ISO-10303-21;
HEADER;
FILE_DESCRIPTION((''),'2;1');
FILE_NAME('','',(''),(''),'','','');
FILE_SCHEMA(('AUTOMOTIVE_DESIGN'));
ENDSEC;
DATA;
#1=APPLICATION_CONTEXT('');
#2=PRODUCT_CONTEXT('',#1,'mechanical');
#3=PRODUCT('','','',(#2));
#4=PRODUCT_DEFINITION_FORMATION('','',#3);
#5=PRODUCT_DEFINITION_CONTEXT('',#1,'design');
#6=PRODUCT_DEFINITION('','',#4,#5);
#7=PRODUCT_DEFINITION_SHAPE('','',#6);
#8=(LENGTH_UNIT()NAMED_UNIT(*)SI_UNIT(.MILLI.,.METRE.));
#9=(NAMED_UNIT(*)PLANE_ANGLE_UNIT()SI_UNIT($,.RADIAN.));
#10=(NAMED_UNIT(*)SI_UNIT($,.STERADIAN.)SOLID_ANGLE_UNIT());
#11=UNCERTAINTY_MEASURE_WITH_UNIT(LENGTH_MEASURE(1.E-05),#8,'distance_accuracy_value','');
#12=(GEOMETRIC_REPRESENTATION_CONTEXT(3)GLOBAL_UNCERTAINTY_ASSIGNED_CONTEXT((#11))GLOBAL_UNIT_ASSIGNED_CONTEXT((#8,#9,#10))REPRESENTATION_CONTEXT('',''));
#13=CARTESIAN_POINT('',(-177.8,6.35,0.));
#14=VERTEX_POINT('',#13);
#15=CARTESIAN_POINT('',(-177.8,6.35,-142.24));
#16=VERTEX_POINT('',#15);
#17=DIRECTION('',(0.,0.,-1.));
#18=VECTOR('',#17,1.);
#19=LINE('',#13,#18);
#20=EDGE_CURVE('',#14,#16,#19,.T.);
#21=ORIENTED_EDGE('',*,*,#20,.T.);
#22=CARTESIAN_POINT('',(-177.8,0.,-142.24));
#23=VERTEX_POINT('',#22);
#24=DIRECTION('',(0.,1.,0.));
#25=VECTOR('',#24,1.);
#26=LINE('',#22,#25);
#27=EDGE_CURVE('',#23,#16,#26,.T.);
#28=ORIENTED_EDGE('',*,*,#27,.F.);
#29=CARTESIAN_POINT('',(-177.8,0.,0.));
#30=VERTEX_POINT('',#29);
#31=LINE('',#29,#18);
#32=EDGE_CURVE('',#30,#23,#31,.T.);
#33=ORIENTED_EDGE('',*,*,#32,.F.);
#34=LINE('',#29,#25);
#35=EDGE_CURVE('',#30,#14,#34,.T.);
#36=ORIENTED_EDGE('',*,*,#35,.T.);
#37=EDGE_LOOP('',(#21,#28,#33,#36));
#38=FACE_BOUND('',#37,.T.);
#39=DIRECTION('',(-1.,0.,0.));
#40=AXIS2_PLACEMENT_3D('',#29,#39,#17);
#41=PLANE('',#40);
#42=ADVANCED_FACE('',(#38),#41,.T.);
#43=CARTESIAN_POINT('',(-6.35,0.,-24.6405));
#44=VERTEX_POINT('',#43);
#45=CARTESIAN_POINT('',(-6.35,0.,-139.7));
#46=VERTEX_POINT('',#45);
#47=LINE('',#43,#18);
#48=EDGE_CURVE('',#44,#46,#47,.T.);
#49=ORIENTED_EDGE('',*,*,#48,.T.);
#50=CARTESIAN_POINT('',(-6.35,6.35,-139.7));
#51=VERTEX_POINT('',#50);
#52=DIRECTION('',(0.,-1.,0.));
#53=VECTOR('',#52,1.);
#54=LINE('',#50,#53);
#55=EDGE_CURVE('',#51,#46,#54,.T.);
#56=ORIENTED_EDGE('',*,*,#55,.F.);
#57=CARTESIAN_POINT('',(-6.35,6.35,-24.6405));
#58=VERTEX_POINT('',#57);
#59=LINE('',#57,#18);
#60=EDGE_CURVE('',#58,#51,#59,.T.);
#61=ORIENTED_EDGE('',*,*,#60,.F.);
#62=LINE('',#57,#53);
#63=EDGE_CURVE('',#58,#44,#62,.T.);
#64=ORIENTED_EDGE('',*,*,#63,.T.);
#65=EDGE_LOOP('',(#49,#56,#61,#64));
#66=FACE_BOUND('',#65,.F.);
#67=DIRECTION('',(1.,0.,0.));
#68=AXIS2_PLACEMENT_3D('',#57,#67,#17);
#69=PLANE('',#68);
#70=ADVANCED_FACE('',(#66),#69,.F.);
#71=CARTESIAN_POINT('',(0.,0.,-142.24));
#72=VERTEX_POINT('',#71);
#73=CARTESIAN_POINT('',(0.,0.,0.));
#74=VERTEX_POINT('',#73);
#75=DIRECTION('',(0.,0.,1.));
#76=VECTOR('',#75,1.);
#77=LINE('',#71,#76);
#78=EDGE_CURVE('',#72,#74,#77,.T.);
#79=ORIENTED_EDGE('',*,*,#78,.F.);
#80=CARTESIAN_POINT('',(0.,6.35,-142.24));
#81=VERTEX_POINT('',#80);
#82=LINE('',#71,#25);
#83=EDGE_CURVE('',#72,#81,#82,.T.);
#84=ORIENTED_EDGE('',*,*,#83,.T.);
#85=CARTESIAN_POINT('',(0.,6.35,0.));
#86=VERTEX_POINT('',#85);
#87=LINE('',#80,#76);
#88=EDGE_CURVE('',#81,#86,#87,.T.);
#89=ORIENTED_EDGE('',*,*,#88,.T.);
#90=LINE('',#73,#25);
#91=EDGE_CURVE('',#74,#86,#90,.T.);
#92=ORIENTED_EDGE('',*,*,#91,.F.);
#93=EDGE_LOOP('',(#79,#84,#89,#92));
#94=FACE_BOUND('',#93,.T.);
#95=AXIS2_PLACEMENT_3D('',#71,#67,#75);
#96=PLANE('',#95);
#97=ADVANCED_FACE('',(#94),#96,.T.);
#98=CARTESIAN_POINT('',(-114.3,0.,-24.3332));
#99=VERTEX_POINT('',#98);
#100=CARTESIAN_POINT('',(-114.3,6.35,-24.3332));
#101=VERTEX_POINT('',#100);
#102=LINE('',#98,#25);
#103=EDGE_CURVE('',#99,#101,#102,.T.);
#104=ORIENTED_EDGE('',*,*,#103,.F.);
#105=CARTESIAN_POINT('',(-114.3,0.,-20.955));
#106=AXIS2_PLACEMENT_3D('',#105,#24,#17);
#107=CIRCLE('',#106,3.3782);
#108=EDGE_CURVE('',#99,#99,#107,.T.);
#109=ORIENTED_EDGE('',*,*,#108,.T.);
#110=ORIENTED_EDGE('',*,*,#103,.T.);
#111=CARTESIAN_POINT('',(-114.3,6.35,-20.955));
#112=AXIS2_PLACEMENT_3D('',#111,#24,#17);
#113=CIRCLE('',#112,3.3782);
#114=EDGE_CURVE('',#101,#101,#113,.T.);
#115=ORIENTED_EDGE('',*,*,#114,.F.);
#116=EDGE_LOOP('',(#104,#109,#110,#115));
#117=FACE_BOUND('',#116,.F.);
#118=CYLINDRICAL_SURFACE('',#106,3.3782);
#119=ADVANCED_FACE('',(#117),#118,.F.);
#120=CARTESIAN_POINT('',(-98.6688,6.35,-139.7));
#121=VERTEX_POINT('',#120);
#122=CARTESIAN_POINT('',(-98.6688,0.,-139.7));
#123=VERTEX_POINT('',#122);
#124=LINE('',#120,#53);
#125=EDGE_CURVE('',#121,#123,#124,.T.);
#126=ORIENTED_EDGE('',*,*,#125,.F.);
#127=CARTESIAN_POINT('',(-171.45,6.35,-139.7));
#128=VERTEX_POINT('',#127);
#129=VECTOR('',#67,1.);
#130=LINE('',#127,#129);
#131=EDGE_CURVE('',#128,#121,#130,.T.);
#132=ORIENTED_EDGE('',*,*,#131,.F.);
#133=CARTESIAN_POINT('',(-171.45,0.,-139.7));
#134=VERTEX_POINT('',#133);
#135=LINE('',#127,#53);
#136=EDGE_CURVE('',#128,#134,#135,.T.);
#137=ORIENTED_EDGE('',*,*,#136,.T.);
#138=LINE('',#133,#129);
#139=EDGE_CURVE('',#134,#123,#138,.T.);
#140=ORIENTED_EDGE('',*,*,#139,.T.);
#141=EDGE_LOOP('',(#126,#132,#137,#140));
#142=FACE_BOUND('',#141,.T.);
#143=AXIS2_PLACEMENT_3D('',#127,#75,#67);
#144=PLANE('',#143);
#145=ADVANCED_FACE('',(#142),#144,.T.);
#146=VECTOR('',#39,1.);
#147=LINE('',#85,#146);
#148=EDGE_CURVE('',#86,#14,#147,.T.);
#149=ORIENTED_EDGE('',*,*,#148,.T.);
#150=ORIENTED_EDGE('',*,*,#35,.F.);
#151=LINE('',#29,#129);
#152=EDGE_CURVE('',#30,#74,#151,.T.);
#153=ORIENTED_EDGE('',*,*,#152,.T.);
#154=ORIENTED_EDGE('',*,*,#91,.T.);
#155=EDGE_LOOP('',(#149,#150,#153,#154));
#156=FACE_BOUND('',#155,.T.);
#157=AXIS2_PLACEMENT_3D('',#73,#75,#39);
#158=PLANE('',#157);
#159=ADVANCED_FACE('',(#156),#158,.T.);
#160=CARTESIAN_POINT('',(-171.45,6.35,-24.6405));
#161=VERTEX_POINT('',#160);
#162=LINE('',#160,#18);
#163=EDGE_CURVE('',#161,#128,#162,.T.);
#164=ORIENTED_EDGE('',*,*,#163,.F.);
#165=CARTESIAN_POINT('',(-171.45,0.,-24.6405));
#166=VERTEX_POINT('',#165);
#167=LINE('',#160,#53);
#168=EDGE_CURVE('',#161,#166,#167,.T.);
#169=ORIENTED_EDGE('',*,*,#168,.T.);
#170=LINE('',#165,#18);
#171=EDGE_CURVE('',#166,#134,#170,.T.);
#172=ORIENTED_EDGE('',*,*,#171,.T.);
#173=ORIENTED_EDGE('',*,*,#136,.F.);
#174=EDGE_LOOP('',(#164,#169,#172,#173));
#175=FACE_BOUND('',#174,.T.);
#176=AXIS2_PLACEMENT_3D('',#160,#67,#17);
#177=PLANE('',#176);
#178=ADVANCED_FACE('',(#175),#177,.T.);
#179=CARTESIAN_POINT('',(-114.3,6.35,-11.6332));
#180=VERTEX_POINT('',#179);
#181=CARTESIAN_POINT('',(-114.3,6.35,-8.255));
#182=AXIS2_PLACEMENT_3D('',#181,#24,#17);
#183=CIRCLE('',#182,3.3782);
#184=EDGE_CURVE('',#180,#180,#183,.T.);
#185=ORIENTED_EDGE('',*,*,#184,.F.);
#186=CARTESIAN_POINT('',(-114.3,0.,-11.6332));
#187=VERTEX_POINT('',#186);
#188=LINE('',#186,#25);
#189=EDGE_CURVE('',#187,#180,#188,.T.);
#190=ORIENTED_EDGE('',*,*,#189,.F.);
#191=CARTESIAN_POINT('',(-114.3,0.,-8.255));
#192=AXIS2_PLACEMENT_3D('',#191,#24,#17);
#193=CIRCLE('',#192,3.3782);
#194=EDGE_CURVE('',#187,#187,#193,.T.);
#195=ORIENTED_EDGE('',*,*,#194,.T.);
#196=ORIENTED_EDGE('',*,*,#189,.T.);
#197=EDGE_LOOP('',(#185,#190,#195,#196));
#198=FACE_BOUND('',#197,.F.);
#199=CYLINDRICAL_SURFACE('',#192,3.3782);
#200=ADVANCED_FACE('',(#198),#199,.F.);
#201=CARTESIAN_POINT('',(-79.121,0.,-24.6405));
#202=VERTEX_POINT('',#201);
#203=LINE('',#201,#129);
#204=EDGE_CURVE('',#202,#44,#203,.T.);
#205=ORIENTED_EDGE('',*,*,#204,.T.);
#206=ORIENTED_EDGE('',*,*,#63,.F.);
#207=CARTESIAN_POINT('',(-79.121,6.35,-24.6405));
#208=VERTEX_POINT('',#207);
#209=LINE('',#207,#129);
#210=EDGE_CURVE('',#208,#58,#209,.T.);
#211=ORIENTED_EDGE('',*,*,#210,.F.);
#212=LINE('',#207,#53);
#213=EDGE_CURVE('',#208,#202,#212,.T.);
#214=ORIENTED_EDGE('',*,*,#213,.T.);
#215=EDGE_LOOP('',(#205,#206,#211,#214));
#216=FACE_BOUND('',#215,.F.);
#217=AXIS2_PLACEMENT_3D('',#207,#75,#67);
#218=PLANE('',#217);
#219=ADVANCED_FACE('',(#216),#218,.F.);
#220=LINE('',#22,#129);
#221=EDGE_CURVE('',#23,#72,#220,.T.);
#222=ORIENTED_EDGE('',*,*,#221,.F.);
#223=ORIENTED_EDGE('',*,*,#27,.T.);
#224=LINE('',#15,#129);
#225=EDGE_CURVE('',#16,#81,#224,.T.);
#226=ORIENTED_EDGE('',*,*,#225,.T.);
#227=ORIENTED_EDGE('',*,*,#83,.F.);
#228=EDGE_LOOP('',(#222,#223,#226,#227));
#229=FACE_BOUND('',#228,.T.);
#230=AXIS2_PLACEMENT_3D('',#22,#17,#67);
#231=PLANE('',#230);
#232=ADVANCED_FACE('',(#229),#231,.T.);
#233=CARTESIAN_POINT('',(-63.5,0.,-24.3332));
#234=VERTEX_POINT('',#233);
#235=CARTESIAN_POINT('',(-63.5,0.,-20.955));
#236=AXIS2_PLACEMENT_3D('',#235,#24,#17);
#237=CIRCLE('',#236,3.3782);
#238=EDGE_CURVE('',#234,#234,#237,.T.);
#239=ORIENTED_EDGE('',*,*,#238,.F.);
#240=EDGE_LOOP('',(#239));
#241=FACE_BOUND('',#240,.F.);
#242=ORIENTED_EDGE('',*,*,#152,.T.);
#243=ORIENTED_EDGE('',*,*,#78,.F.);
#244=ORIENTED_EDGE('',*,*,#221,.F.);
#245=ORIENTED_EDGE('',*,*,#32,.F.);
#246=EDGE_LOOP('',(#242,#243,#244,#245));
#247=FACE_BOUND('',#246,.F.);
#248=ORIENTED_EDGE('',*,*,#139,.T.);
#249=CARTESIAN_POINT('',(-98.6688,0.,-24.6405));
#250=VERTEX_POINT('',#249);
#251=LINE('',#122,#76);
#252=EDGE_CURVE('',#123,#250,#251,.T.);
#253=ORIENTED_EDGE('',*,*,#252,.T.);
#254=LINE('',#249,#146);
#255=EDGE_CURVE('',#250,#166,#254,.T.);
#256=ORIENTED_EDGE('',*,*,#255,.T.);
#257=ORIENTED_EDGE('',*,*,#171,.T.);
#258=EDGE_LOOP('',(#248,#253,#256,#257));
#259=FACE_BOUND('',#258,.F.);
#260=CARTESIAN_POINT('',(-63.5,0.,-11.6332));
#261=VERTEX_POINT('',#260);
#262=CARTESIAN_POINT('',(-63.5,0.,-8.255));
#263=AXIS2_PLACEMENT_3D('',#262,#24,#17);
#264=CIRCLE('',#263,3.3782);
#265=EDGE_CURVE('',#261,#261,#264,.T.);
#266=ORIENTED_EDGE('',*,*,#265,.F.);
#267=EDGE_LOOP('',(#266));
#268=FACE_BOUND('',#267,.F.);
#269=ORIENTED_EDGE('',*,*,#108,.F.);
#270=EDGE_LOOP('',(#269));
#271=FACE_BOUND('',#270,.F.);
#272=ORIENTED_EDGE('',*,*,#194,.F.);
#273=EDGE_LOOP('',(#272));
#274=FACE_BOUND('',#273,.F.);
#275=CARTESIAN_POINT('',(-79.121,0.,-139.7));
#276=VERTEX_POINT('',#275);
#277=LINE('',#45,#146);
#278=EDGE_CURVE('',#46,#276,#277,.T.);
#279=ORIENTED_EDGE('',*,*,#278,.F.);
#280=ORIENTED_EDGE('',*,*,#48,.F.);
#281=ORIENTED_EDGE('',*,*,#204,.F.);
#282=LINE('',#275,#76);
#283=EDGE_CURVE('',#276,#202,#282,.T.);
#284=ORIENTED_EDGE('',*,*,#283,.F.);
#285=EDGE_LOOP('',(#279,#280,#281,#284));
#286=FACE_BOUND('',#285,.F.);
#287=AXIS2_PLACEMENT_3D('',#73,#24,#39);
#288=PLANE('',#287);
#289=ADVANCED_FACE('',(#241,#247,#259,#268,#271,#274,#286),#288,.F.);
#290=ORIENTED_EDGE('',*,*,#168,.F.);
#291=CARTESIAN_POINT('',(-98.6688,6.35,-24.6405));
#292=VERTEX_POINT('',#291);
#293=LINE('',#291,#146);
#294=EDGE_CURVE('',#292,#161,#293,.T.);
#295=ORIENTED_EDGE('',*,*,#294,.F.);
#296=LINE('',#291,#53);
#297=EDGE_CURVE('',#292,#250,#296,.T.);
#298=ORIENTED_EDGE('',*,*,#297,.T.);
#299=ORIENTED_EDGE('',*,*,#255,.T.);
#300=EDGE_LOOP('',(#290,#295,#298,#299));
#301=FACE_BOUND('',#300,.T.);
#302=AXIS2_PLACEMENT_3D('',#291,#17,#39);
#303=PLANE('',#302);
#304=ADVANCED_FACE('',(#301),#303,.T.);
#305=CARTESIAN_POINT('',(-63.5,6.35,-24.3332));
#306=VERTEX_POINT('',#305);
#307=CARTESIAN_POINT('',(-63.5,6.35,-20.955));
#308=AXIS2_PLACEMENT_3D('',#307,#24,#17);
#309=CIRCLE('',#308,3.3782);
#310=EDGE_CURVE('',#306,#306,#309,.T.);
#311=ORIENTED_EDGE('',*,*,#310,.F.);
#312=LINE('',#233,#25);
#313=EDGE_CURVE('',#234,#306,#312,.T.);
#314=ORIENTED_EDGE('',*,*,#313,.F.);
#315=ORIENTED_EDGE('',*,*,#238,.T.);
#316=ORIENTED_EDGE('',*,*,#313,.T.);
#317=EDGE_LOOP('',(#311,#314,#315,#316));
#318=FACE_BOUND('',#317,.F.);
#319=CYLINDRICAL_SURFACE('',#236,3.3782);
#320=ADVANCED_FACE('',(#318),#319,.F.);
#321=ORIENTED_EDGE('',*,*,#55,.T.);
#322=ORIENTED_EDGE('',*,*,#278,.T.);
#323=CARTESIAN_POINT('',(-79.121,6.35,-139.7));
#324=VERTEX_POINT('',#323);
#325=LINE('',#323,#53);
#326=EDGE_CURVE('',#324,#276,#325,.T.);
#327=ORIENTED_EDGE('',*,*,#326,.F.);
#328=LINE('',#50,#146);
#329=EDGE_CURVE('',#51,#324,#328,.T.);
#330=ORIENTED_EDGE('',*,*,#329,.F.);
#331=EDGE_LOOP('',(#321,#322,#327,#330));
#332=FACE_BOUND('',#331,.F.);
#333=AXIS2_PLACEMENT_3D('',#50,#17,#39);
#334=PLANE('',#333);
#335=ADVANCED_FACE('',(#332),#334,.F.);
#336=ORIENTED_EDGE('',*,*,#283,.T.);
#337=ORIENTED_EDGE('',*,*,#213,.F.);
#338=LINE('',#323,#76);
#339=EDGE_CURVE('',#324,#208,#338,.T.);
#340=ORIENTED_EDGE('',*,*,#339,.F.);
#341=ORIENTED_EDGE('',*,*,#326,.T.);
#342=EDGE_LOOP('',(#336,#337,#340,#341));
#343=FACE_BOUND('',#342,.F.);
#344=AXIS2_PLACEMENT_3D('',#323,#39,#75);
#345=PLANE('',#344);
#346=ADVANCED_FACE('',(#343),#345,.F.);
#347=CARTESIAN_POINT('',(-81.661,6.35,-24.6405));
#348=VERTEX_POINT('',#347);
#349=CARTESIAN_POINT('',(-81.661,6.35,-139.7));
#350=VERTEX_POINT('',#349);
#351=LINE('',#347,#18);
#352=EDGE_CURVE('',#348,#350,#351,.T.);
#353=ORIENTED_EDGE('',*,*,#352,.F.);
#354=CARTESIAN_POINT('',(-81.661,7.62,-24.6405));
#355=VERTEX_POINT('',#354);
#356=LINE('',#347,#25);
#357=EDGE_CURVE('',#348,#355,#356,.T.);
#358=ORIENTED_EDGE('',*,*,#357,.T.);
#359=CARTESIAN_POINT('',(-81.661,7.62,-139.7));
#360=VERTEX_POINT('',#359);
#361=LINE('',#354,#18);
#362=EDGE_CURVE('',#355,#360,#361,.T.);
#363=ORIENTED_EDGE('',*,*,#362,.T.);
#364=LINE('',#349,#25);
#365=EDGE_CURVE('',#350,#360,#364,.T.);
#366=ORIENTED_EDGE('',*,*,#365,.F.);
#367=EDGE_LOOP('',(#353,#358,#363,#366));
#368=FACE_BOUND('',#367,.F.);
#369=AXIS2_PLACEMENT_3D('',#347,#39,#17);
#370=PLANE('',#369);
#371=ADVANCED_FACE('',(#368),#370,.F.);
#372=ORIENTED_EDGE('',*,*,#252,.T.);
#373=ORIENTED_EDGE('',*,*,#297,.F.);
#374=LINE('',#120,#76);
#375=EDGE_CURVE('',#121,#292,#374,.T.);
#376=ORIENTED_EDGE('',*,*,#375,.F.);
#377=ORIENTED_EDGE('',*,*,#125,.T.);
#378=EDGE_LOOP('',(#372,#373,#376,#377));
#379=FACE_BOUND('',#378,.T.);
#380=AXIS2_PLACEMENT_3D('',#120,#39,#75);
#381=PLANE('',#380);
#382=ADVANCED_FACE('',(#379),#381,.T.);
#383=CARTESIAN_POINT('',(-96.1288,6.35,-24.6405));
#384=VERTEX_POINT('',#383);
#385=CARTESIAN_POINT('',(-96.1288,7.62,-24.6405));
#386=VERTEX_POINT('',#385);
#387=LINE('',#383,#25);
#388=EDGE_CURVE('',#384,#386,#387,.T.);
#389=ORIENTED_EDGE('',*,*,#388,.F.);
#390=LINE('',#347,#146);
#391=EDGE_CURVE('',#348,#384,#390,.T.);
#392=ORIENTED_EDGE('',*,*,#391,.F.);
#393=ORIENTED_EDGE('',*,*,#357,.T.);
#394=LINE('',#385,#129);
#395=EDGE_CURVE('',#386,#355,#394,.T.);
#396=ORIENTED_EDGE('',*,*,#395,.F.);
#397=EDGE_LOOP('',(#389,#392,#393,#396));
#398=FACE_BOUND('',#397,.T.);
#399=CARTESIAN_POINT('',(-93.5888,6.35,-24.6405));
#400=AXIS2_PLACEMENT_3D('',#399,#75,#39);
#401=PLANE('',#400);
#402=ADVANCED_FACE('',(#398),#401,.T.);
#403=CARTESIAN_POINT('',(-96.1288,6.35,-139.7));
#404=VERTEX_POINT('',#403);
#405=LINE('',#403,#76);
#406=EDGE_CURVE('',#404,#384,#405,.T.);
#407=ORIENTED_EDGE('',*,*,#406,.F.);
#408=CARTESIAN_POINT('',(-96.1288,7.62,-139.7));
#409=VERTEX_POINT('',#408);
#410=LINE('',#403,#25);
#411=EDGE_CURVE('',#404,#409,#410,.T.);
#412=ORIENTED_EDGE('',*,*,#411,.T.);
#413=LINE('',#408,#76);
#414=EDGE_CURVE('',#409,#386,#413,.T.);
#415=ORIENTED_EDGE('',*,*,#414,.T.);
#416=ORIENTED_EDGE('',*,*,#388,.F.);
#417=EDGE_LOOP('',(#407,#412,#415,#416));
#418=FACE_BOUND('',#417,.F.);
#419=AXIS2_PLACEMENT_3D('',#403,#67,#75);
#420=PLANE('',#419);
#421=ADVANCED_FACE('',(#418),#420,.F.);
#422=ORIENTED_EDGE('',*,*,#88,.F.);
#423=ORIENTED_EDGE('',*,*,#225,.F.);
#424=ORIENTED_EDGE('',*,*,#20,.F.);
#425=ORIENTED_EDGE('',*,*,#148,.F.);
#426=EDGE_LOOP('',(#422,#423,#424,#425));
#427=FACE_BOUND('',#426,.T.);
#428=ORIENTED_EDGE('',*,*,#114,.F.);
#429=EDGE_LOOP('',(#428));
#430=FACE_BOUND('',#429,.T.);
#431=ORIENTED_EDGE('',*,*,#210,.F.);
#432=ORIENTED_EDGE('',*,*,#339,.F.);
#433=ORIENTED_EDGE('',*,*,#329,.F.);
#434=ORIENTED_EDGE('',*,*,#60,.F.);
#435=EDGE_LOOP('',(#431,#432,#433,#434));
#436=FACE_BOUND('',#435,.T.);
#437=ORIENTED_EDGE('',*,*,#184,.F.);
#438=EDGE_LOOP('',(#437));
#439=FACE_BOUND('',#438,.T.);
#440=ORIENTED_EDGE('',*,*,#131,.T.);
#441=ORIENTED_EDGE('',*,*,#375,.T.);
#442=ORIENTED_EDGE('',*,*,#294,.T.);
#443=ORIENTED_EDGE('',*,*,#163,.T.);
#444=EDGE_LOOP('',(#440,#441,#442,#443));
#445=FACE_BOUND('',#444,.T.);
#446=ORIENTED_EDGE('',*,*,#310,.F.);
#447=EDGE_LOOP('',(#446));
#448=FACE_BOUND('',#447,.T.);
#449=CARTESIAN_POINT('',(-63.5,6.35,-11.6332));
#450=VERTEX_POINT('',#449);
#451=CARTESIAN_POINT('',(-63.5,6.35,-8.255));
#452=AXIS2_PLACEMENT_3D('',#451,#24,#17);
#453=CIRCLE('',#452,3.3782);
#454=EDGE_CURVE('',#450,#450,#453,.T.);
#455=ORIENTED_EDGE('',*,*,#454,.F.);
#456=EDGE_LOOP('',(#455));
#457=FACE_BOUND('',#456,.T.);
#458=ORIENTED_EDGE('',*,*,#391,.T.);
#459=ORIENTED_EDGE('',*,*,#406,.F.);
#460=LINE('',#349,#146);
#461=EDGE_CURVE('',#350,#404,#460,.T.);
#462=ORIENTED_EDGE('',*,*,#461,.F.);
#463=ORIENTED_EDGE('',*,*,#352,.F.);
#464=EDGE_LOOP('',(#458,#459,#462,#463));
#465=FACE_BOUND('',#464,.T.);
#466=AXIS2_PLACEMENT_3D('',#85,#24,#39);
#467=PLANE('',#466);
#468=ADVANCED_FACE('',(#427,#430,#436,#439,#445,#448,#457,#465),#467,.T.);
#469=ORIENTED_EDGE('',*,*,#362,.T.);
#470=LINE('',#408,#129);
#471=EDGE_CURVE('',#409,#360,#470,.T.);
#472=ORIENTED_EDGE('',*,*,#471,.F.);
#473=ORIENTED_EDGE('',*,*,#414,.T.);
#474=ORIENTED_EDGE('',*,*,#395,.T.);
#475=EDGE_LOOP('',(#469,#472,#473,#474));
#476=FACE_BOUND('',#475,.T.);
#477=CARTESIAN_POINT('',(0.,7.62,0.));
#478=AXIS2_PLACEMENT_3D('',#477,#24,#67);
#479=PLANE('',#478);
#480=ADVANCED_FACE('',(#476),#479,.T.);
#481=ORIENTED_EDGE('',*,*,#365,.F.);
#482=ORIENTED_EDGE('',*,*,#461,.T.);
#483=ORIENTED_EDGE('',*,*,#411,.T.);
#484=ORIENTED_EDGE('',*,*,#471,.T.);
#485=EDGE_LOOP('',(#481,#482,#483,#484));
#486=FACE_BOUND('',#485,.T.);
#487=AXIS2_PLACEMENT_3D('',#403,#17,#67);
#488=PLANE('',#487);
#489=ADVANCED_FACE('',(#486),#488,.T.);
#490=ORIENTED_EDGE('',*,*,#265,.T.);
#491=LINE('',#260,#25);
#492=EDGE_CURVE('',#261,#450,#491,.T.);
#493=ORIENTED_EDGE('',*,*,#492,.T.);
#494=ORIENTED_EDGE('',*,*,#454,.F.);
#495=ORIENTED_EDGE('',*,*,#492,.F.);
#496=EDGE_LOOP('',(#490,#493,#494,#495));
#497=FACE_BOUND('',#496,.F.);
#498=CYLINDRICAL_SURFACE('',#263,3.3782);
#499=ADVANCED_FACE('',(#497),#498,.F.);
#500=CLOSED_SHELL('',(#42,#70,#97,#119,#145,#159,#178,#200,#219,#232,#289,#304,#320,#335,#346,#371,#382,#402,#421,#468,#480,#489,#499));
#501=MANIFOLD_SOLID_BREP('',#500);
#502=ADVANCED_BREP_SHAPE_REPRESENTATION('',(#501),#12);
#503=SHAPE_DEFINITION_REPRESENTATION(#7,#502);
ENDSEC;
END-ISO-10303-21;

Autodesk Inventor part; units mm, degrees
ref_plane "YZ Plane" through (0, 0, 0) normal (1, 0, 0) x (0, 1, 0)
ref_plane "XZ Plane" through (0, 0, 0) normal (0, 1, 0) x (-1, 0, 0)
ref_plane "XY Plane" through (0, 0, 0) normal (0, 0, 1) x (1, 0, 0)
sketch "Sketch1" plane through (0, 0, 0) normal (0, 1, 0) x (-1, 0, 0)
  line L0 (0, 0) -> (177.8, 0)
  line L1 (177.8, 0) -> (177.8, -142.24)
  line L2 (177.8, -142.24) -> (0, -142.24)
  line L3 (0, -142.24) -> (0, 0)
  line L4 (177.8, 0) -> (88.9, 0)
  line L5 (88.9, 0) -> (114.3, 0)
  line L6 (114.3, 0) -> (63.5, 0)
  line L7 (63.5, 0) -> (63.5, -8.255)
  line L8 (63.5, -8.255) -> (63.5, -20.955)
  line L9 (63.5, -20.955) -> (114.3, -20.955)
  line L10 (114.3, -20.955) -> (114.3, -8.255)
  point P0 (116.227, -12.0777)
  dimension "d0" = 177.8
  dimension "d1" = 142.24
  dimension "d2" = 25.4
  dimension "d3" = 50.8
  dimension "d4" = 8.255
  dimension "d5" = 12.7
  dimension "d6" = 50.8
extrude "Extrusion1" add sketch "Sketch1" along normal blind 6.35
hole "Hole1" at (-63.5, 0, -8.255) at (-63.5, 0, -20.955) at (-114.3, 0, -20.955) at (-114.3, 0, -8.255) direction (0, 1, 0) diameter 6.7564 end through all clearance for "Socket Head Cap Screw" size "1/4" standard "Ansi Unified Screw Threads"
sketch "Sketch2" plane through (0, 6.35, 0) normal (0, 1, 0) x (1, 0, 0)
  line L0 (-177.8, 142.24) -> (-177.8, 0) projected
  line L1 (-177.8, 142.24) -> (-171.45, 142.24)
  line L2 (-171.45, 142.24) -> (-171.45, 139.7)
  line L3 (-171.45, 139.7) -> (-177.8, 139.7)
  line L4 (-177.8, 139.7) -> (-177.8, 142.24)
  line L5 (-171.45, 139.7) -> (-98.6688, 139.7)
  line L6 (-98.6688, 139.7) -> (-98.6688, 24.6405)
  line L7 (-98.6688, 24.6405) -> (-171.45, 24.6405)
  line L8 (-171.45, 24.6405) -> (-171.45, 139.7)
  line L9 (0, 142.24) -> (-177.8, 142.24) projected
  line L10 (0, 142.24) -> (-6.35, 142.24)
  line L11 (-6.35, 142.24) -> (-6.35, 139.7)
  line L12 (-6.35, 139.7) -> (0, 139.7)
  line L13 (0, 139.7) -> (0, 142.24)
  line L14 (-6.35, 139.7) -> (-79.121, 139.7)
  line L15 (-79.121, 139.7) -> (-79.121, 24.6405)
  line L16 (-79.121, 24.6405) -> (-6.35, 24.6405)
  line L17 (-6.35, 24.6405) -> (-6.35, 139.7)
  point P0 (0, 0)
  dimension "d16" = 6.35
  dimension "d17" = 2.54
  dimension "d18" = 72.7812
  dimension "d19" = 115.0595
  dimension "d20" = 6.35
  dimension "d21" = 72.771
  dimension "d22" = 115.0595
extrude "Extrusion2" cut sketch "Sketch2" against normal blind 6.35 contours L17 L16 L15 L14 | L5 L6 L7 L8
sketch "Sketch3" plane through (0, 6.35, 0) normal (0, 1, 0) x (1, 0, 0)
  line L0 (-98.6688, 139.7) -> (-171.45, 139.7) projected
  line L1 (-98.6688, 139.7) -> (-96.1288, 139.7)
  line L2 (-96.1288, 139.7) -> (-96.1288, 24.6405)
  line L3 (-96.1288, 24.6405) -> (-98.6688, 24.6405)
  line L4 (-98.6688, 24.6405) -> (-98.6688, 139.7)
  line L5 (-79.121, 24.6405) -> (-79.121, 139.7) projected
  line L6 (-79.121, 24.6405) -> (-81.661, 24.6405)
  line L7 (-81.661, 24.6405) -> (-81.661, 139.7)
  line L8 (-81.661, 139.7) -> (-79.121, 139.7)
  line L9 (-79.121, 139.7) -> (-79.121, 24.6405)
  line L10 (-96.1288, 139.7) -> (-93.5888, 139.7)
  line L11 (-93.5888, 139.7) -> (-93.5888, 24.6405)
  line L12 (-93.5888, 24.6405) -> (-96.1288, 24.6405)
  line L13 (-96.1288, 24.6405) -> (-96.1288, 139.7)
  line L14 (-81.661, 24.6405) -> (-84.201, 24.6405)
  line L15 (-84.201, 24.6405) -> (-84.201, 139.7)
  line L16 (-84.201, 139.7) -> (-81.661, 139.7)
  line L17 (-81.661, 139.7) -> (-81.661, 24.6405)
  line L18 (-93.5888, 139.7) -> (-84.201, 139.7)
  line L19 (-84.201, 139.7) -> (-84.201, 24.6405)
  line L20 (-84.201, 24.6405) -> (-93.5888, 24.6405)
  line L21 (-93.5888, 24.6405) -> (-93.5888, 139.7)
  point P0 (0, 0)
  dimension "d26" = 2.54
  dimension "d27" = 2.54
  dimension "d30" = 2.54
  dimension "d31" = 2.54
extrude "Extrusion4" add sketch "Sketch3" along normal blind 1.27 contours L10 L11 L12 L2 | L18 L15 L20 L11 | L16 L7 L14 L15
properties part number "USAXS double well plate"
